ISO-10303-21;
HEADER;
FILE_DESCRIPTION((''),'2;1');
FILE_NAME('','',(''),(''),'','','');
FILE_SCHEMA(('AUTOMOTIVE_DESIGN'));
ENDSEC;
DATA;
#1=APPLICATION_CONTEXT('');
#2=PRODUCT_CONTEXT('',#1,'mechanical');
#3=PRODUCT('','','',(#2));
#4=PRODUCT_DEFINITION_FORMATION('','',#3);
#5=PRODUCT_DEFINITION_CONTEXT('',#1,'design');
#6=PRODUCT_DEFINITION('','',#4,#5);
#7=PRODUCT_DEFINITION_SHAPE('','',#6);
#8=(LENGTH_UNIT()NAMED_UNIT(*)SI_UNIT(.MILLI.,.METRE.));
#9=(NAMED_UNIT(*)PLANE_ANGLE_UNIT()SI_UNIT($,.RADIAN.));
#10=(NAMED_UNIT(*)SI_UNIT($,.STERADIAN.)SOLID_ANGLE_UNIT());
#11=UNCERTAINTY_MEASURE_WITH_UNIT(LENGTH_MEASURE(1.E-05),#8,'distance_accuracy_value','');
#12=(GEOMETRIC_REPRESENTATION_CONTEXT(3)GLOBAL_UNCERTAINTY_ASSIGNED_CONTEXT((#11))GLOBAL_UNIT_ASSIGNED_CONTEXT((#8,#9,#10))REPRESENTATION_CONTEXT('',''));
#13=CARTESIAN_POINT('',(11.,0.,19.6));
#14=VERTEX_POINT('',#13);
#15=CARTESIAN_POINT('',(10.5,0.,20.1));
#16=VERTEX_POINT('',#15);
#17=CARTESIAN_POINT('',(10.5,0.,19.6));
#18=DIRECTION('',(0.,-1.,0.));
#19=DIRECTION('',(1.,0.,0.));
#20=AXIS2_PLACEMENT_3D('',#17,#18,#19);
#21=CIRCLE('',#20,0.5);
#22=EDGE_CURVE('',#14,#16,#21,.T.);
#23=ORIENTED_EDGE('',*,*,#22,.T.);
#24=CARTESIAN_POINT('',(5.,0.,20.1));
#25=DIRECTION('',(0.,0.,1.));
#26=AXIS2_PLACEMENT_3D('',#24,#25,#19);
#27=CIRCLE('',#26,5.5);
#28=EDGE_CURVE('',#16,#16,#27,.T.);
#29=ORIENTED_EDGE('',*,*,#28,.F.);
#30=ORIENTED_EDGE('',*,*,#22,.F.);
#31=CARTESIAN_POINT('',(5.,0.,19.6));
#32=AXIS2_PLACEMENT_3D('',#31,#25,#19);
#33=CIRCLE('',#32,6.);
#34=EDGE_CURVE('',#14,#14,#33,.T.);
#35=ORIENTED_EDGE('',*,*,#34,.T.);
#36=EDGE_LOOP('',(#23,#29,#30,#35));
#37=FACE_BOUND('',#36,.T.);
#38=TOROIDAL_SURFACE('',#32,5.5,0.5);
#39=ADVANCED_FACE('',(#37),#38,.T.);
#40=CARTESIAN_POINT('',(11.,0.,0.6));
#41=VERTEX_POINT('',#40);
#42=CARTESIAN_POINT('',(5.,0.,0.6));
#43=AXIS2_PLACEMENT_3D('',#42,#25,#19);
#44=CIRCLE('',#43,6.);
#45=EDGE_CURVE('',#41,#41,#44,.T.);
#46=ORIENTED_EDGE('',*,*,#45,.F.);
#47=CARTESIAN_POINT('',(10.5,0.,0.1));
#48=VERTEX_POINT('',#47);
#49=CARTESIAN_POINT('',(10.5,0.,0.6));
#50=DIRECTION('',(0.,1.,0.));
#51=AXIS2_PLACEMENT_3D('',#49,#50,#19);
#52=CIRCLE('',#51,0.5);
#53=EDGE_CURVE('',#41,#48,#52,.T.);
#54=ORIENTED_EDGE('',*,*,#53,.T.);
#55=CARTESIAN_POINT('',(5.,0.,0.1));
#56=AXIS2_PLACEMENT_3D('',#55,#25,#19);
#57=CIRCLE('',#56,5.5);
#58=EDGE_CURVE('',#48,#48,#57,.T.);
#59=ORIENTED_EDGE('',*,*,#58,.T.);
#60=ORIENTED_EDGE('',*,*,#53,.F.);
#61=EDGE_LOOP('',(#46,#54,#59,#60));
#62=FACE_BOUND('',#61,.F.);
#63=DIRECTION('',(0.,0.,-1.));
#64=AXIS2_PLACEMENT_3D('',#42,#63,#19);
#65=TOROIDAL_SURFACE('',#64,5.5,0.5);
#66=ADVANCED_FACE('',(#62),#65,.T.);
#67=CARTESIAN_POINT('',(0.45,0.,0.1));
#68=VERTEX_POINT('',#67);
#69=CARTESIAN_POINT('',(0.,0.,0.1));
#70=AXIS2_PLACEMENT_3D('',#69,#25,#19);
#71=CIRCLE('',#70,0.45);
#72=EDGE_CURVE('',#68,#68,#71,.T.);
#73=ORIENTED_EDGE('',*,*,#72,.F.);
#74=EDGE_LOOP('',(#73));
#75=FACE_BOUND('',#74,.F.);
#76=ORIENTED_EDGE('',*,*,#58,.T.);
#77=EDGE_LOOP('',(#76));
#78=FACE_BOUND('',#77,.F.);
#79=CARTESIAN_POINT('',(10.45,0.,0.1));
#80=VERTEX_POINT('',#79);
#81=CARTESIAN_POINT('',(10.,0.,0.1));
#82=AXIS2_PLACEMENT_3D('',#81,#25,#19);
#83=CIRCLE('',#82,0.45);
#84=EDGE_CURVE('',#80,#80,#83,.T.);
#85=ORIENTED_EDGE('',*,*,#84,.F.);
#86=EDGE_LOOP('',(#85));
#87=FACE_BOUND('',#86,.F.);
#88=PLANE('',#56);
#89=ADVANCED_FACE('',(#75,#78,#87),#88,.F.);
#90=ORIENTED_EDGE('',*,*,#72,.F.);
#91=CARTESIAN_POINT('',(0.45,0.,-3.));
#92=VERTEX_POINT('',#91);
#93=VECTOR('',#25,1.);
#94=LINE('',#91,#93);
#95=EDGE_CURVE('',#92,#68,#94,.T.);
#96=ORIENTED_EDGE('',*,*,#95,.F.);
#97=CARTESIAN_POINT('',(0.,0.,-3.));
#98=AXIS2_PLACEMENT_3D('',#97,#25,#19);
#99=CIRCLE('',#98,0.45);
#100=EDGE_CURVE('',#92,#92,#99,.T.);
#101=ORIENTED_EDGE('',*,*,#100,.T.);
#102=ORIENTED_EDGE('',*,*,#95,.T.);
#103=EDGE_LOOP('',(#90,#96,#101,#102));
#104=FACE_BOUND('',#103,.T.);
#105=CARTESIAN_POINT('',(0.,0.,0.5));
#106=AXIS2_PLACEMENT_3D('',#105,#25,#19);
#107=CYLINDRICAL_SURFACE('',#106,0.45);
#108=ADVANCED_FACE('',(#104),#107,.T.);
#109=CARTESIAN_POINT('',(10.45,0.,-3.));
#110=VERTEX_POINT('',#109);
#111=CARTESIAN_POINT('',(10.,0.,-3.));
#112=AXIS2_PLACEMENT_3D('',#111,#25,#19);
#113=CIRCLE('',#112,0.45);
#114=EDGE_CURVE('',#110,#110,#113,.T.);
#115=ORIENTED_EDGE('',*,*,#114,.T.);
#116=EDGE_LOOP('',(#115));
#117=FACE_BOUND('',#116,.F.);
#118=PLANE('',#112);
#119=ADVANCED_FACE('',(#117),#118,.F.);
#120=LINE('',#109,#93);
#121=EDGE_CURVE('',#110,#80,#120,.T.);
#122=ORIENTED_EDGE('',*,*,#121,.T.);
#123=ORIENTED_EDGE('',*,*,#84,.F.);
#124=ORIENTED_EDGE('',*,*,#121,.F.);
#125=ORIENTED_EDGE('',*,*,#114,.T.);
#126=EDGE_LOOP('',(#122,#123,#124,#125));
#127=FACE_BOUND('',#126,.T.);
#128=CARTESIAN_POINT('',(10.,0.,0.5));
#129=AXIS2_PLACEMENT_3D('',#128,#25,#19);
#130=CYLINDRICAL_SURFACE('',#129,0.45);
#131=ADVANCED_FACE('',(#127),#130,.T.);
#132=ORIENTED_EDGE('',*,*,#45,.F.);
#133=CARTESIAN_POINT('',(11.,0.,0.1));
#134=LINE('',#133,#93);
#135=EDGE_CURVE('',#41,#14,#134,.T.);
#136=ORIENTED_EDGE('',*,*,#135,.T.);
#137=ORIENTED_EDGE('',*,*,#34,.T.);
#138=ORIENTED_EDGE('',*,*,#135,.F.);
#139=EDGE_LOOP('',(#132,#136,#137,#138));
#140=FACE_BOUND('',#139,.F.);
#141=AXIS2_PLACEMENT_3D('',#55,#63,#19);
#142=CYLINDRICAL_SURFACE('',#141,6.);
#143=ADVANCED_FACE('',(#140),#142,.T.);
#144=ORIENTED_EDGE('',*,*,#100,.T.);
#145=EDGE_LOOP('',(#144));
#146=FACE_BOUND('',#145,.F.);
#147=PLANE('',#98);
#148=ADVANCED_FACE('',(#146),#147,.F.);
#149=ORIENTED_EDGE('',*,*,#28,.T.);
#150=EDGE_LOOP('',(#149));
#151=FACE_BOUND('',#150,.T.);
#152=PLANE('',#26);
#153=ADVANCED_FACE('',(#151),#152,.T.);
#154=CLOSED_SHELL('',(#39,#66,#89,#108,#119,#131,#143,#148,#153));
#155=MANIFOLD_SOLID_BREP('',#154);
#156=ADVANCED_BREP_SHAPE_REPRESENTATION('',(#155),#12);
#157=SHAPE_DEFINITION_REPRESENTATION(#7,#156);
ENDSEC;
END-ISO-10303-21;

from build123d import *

# Parameters (mm, degrees)
SKETCH001_R       = 0.45
PAD001_DEPTH      = 10
PAD001_DEPTH_BACK = 3.5
SKETCH_R          = 6
PAD_DEPTH         = 20
FILLET_R          = 0.5


with BuildPart() as pad001:
    # Sketch001 → Pad001 (new body, two sides)
    with BuildSketch(Plane.XY.offset(0.5)) as pad001_sk:
        Circle(SKETCH001_R)
        with Locations((10, 0)):
            Circle(SKETCH001_R)
    extrude(amount=PAD001_DEPTH)
    extrude(pad001_sk.sketch, amount=-PAD001_DEPTH_BACK)


with BuildPart() as fillet_mp_cp:
    # Sketch → Pad (new body)
    with BuildSketch(Plane.XY.offset(0.1)):
        with Locations((5, 0)):
            Circle(SKETCH_R)
    extrude(amount=PAD_DEPTH)

    # Fillet
    fillet_edges = [fillet_mp_cp.edges().sort_by_distance(p)[0] for p in [
        (-1, 0, 0.1),
        (-1, 0, 20.1),
    ]]
    fillet(fillet_edges, radius=FILLET_R)

    # Fillet_mp_cp: union Pad001
    add(pad001.part)


solid = fillet_mp_cp.part
